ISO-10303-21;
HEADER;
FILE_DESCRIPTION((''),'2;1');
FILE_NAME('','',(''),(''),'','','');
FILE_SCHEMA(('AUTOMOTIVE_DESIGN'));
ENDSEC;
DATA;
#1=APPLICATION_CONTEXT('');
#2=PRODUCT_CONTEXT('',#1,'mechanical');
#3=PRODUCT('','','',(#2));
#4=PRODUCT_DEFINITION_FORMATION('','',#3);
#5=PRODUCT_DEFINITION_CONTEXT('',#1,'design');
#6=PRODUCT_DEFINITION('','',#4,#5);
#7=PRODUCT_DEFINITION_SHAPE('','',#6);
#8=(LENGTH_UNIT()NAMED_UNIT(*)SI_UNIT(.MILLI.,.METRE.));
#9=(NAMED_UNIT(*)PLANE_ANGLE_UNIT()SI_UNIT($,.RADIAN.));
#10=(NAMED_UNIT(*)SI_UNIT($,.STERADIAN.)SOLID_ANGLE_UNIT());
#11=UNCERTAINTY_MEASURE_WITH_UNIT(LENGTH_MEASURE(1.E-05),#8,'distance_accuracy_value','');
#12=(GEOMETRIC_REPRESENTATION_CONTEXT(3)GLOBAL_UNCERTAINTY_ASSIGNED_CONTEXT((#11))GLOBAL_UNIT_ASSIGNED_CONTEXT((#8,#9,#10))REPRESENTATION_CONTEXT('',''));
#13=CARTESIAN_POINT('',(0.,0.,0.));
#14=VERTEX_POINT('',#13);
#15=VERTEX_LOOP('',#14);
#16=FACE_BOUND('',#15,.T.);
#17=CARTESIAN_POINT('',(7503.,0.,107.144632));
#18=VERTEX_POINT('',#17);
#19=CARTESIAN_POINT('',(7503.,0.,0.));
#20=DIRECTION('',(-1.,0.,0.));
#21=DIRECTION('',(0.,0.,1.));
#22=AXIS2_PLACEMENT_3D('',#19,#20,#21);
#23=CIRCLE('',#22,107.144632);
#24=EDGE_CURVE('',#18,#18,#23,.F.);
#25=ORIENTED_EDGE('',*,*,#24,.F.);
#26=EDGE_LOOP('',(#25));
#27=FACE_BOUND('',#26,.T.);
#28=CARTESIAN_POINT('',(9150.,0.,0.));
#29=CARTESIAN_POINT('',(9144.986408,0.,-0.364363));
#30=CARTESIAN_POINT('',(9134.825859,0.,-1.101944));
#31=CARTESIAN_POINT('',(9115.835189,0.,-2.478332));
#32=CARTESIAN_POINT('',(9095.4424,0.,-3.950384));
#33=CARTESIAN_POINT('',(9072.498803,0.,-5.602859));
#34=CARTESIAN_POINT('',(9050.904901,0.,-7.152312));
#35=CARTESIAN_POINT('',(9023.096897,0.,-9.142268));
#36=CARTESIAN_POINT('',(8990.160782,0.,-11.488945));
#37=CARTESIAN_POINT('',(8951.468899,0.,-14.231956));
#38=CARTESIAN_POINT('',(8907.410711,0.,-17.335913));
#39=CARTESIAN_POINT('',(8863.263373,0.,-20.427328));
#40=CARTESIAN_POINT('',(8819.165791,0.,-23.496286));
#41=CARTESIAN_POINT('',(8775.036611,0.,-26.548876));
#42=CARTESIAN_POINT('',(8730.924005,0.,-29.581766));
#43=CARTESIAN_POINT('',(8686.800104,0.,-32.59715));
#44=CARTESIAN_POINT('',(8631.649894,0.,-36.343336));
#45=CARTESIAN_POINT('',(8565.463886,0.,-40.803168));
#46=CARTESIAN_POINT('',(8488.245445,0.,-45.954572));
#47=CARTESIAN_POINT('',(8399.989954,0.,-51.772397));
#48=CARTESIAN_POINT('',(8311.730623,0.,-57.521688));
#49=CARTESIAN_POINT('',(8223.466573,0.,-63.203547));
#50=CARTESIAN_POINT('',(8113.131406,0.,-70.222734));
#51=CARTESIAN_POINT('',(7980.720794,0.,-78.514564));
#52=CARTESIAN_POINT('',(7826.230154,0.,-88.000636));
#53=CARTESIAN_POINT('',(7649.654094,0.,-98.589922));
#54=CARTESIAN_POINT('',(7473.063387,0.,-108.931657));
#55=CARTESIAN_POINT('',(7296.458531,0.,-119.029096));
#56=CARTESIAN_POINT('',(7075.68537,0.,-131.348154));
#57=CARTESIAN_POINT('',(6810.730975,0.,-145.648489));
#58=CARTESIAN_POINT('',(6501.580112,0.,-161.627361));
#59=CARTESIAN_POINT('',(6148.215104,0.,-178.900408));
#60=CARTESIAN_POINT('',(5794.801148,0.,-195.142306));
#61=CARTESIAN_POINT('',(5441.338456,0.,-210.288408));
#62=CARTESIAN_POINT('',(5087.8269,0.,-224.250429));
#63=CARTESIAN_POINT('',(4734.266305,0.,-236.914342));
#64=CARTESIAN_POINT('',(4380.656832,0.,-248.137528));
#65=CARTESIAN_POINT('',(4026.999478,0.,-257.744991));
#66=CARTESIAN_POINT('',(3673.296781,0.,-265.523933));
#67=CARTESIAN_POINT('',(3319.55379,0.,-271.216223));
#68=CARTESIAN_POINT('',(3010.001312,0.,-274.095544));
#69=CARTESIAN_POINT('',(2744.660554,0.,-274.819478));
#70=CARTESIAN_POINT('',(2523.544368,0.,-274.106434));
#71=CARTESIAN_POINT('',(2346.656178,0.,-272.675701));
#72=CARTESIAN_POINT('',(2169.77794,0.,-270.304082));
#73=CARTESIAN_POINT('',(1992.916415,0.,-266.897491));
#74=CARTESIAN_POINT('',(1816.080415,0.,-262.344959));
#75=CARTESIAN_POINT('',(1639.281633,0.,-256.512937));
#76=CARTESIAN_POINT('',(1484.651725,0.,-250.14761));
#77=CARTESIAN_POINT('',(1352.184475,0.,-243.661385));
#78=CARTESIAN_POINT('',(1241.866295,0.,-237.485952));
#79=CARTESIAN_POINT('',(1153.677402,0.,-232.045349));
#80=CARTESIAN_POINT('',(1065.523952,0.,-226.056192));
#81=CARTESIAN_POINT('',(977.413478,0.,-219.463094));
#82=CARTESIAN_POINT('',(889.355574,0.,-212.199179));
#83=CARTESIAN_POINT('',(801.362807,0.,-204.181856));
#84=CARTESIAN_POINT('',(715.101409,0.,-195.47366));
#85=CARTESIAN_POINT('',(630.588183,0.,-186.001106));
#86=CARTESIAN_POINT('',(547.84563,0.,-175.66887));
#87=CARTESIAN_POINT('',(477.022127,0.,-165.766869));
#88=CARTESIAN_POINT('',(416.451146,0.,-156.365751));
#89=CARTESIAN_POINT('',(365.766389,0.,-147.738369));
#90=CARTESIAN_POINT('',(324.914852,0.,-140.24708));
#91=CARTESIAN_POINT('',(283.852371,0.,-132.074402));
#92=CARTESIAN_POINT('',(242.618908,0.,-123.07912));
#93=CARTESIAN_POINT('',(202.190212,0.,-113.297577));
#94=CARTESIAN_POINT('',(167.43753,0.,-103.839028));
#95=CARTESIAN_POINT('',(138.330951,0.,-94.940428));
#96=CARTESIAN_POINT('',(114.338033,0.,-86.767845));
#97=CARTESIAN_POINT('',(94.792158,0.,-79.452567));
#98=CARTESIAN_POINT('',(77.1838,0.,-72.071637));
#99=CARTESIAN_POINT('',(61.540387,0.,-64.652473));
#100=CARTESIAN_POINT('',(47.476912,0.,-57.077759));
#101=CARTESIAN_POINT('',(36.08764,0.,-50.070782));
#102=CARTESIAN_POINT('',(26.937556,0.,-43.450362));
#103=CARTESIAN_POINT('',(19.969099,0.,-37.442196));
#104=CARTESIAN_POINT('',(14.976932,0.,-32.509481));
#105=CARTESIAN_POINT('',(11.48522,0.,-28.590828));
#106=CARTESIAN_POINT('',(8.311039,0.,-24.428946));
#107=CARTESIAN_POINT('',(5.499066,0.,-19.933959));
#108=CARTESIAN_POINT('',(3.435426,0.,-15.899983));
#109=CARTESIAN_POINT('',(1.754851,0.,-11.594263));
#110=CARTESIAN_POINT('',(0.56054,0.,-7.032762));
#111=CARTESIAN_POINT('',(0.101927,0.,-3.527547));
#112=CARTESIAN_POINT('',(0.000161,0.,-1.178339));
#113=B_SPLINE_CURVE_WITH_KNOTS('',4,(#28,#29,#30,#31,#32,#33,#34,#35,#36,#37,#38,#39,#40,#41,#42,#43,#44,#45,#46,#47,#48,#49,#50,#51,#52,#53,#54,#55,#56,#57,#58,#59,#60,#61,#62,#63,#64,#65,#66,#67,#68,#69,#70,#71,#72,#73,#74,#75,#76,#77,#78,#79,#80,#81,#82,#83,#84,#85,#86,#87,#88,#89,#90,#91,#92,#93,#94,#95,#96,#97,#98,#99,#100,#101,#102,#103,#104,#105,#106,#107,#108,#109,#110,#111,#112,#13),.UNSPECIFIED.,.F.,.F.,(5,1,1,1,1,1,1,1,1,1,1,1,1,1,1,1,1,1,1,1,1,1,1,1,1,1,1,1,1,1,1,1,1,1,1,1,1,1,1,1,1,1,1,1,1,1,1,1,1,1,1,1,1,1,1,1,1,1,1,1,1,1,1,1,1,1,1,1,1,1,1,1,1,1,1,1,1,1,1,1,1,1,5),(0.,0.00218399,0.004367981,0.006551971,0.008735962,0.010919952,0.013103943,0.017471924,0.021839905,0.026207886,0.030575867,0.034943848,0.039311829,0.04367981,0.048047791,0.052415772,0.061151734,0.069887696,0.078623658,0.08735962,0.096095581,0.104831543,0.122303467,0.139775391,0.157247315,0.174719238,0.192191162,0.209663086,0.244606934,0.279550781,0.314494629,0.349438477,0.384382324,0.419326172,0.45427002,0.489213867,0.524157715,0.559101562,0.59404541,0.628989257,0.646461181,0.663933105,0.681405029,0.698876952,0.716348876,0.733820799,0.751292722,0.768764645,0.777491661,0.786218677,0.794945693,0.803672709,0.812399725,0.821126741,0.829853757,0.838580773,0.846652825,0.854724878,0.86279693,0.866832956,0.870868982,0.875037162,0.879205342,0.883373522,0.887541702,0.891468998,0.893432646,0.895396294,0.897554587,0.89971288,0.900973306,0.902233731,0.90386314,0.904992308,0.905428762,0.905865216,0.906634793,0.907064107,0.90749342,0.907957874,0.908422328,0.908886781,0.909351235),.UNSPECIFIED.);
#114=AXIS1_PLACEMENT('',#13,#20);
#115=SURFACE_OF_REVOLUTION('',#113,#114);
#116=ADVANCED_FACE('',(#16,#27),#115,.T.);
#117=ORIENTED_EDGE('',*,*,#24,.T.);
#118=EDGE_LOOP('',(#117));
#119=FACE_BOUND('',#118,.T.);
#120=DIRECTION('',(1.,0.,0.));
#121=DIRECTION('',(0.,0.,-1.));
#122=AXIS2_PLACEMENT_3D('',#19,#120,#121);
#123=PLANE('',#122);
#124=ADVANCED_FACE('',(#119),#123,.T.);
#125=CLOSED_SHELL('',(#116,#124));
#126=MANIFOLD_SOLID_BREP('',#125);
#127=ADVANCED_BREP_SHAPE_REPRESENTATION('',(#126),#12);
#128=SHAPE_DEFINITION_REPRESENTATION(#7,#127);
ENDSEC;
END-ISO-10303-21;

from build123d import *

# Parameters (mm, degrees)
CUTSKETCH_R        = 274.5
CUT_EXTRUDE1_DEPTH = 1648.0000001


with BuildPart() as part:
    # rootSketch → Revolve1 (revolve)
    with BuildSketch(Plane(origin=(0, 0, 0), x_dir=(1, 0, 0), z_dir=(0, 1, 0))):
        with BuildLine():
            Line((0, 0), (9150, 0))
            add(Edge.make_bspline(
                [(0, 0), (0.000160612, 1.178338668), (0.101927429, 3.527546875), (0.560540129, 7.032762128), (1.754850899, 11.594263448), (3.435425658, 15.899983247), (5.499066319, 19.933959303), (8.311039095, 24.428945776), (11.485219555, 28.590828066), (14.976932189, 32.50948125), (19.969099058, 37.44219556), (26.93755643, 43.450361558), (36.087640326, 50.070782057), (47.476912242, 57.077759188), (61.540387156, 64.652473124), (77.183799538, 72.071636941), (94.792158043, 79.45256662), (114.338032981, 86.767844958), (138.330950586, 94.94042848), (167.437529655, 103.839028072), (202.19021179, 113.297577183), (242.618908211, 123.079119609), (283.85237063, 132.074401946), (324.914851639, 140.247080301), (365.766389078, 147.738368505), (416.451146253, 156.365751208), (477.022127198, 165.766869274), (547.845629726, 175.668869941), (630.588182863, 186.00110632), (715.101408629, 195.473660488), (801.36280682, 204.181856395), (889.35557409, 212.199179233), (977.413477894, 219.463094498), (1065.523951613, 226.056192188), (1153.677402277, 232.045348732), (1241.866295097, 237.485951633), (1352.184475076, 243.661385297), (1484.651724521, 250.147610485), (1639.281632973, 256.512937248), (1816.080414931, 262.344959236), (1992.916414639, 266.897490578), (2169.777939711, 270.304082119), (2346.656177774, 272.675700655), (2523.544368397, 274.106433958), (2744.66055408, 274.819477986), (3010.001312139, 274.095543923), (3319.553789887, 271.216223434), (3673.296781268, 265.523933355), (4026.999477835, 257.744990519), (4380.656831985, 248.137527842), (4734.266305229, 236.914341825), (5087.826900398, 224.250429382), (5441.338456238, 210.288408279), (5794.801148288, 195.142305772), (6148.215104246, 178.900408204), (6501.580112325, 161.627361411), (6810.730974752, 145.648489217), (7075.685369906, 131.348153783), (7296.458530996, 119.029096191), (7473.063386989, 108.931656651), (7649.654093753, 98.589922493), (7826.230154186, 88.000635748), (7980.720793582, 78.514563511), (8113.131405924, 70.222733955), (8223.466573069, 63.20354654), (8311.730622771, 57.521688204), (8399.989953528, 51.772397348), (8488.245445279, 45.954572173), (8565.463885668, 40.803168085), (8631.649893589, 36.343336289), (8686.800104424, 32.597150054), (8730.924004516, 29.58176595), (8775.036611273, 26.548875536), (8819.165790844, 23.496286414), (8863.263373244, 20.427327998), (8907.410710771, 17.335912578), (8951.468898618, 14.231955542), (8990.160782109, 11.488944565), (9023.096897261, 9.142268217), (9050.904900655, 7.152311591), (9072.498802607, 5.602858669), (9095.442400122, 3.95038404), (9115.835188706, 2.478332147), (9134.825858835, 1.101944003), (9144.986407858, 0.364362809), (9150, 0)],
                knots=[0, 0, 0, 0, 0, 0.000464454, 0.000928907, 0.001393361, 0.001857814, 0.002287128, 0.002716441, 0.003486019, 0.003922473, 0.004358926, 0.005488094, 0.007117503, 0.008377929, 0.009638355, 0.011796648, 0.013954941, 0.015918589, 0.017882237, 0.021809533, 0.025977713, 0.030145893, 0.034314073, 0.038482253, 0.042518279, 0.046554305, 0.054626357, 0.062698409, 0.070770462, 0.079497478, 0.088224494, 0.09695151, 0.105678526, 0.114405542, 0.123132558, 0.131859574, 0.14058659, 0.158058513, 0.175530436, 0.193002359, 0.210474282, 0.227946206, 0.24541813, 0.262890054, 0.280361977, 0.315305825, 0.350249672, 0.38519352, 0.420137368, 0.455081215, 0.490025063, 0.524968911, 0.559912758, 0.594856606, 0.629800453, 0.664744301, 0.699688149, 0.717160073, 0.734631996, 0.75210392, 0.769575844, 0.787047768, 0.804519691, 0.813255653, 0.821991615, 0.830727577, 0.839463539, 0.848199501, 0.856935463, 0.861303444, 0.865671425, 0.870039406, 0.874407387, 0.878775368, 0.883143349, 0.88751133, 0.891879311, 0.896247292, 0.898431282, 0.900615273, 0.902799263, 0.904983254, 0.907167244, 0.909351235, 0.909351235, 0.909351235, 0.909351235, 0.909351235], degree=4))
        make_face()
    revolve(axis=Axis((0, 0, 0), (1, 0, 0)))

    # cutSketch → Cut-Extrude1 (cut, through all)
    with BuildSketch(Plane(origin=(7503, 0, 0), x_dir=(0, 0, -1), z_dir=(1, 0, 0))):
        Circle(CUTSKETCH_R)
    extrude(amount=CUT_EXTRUDE1_DEPTH, mode=Mode.SUBTRACT)


solid = part.part
